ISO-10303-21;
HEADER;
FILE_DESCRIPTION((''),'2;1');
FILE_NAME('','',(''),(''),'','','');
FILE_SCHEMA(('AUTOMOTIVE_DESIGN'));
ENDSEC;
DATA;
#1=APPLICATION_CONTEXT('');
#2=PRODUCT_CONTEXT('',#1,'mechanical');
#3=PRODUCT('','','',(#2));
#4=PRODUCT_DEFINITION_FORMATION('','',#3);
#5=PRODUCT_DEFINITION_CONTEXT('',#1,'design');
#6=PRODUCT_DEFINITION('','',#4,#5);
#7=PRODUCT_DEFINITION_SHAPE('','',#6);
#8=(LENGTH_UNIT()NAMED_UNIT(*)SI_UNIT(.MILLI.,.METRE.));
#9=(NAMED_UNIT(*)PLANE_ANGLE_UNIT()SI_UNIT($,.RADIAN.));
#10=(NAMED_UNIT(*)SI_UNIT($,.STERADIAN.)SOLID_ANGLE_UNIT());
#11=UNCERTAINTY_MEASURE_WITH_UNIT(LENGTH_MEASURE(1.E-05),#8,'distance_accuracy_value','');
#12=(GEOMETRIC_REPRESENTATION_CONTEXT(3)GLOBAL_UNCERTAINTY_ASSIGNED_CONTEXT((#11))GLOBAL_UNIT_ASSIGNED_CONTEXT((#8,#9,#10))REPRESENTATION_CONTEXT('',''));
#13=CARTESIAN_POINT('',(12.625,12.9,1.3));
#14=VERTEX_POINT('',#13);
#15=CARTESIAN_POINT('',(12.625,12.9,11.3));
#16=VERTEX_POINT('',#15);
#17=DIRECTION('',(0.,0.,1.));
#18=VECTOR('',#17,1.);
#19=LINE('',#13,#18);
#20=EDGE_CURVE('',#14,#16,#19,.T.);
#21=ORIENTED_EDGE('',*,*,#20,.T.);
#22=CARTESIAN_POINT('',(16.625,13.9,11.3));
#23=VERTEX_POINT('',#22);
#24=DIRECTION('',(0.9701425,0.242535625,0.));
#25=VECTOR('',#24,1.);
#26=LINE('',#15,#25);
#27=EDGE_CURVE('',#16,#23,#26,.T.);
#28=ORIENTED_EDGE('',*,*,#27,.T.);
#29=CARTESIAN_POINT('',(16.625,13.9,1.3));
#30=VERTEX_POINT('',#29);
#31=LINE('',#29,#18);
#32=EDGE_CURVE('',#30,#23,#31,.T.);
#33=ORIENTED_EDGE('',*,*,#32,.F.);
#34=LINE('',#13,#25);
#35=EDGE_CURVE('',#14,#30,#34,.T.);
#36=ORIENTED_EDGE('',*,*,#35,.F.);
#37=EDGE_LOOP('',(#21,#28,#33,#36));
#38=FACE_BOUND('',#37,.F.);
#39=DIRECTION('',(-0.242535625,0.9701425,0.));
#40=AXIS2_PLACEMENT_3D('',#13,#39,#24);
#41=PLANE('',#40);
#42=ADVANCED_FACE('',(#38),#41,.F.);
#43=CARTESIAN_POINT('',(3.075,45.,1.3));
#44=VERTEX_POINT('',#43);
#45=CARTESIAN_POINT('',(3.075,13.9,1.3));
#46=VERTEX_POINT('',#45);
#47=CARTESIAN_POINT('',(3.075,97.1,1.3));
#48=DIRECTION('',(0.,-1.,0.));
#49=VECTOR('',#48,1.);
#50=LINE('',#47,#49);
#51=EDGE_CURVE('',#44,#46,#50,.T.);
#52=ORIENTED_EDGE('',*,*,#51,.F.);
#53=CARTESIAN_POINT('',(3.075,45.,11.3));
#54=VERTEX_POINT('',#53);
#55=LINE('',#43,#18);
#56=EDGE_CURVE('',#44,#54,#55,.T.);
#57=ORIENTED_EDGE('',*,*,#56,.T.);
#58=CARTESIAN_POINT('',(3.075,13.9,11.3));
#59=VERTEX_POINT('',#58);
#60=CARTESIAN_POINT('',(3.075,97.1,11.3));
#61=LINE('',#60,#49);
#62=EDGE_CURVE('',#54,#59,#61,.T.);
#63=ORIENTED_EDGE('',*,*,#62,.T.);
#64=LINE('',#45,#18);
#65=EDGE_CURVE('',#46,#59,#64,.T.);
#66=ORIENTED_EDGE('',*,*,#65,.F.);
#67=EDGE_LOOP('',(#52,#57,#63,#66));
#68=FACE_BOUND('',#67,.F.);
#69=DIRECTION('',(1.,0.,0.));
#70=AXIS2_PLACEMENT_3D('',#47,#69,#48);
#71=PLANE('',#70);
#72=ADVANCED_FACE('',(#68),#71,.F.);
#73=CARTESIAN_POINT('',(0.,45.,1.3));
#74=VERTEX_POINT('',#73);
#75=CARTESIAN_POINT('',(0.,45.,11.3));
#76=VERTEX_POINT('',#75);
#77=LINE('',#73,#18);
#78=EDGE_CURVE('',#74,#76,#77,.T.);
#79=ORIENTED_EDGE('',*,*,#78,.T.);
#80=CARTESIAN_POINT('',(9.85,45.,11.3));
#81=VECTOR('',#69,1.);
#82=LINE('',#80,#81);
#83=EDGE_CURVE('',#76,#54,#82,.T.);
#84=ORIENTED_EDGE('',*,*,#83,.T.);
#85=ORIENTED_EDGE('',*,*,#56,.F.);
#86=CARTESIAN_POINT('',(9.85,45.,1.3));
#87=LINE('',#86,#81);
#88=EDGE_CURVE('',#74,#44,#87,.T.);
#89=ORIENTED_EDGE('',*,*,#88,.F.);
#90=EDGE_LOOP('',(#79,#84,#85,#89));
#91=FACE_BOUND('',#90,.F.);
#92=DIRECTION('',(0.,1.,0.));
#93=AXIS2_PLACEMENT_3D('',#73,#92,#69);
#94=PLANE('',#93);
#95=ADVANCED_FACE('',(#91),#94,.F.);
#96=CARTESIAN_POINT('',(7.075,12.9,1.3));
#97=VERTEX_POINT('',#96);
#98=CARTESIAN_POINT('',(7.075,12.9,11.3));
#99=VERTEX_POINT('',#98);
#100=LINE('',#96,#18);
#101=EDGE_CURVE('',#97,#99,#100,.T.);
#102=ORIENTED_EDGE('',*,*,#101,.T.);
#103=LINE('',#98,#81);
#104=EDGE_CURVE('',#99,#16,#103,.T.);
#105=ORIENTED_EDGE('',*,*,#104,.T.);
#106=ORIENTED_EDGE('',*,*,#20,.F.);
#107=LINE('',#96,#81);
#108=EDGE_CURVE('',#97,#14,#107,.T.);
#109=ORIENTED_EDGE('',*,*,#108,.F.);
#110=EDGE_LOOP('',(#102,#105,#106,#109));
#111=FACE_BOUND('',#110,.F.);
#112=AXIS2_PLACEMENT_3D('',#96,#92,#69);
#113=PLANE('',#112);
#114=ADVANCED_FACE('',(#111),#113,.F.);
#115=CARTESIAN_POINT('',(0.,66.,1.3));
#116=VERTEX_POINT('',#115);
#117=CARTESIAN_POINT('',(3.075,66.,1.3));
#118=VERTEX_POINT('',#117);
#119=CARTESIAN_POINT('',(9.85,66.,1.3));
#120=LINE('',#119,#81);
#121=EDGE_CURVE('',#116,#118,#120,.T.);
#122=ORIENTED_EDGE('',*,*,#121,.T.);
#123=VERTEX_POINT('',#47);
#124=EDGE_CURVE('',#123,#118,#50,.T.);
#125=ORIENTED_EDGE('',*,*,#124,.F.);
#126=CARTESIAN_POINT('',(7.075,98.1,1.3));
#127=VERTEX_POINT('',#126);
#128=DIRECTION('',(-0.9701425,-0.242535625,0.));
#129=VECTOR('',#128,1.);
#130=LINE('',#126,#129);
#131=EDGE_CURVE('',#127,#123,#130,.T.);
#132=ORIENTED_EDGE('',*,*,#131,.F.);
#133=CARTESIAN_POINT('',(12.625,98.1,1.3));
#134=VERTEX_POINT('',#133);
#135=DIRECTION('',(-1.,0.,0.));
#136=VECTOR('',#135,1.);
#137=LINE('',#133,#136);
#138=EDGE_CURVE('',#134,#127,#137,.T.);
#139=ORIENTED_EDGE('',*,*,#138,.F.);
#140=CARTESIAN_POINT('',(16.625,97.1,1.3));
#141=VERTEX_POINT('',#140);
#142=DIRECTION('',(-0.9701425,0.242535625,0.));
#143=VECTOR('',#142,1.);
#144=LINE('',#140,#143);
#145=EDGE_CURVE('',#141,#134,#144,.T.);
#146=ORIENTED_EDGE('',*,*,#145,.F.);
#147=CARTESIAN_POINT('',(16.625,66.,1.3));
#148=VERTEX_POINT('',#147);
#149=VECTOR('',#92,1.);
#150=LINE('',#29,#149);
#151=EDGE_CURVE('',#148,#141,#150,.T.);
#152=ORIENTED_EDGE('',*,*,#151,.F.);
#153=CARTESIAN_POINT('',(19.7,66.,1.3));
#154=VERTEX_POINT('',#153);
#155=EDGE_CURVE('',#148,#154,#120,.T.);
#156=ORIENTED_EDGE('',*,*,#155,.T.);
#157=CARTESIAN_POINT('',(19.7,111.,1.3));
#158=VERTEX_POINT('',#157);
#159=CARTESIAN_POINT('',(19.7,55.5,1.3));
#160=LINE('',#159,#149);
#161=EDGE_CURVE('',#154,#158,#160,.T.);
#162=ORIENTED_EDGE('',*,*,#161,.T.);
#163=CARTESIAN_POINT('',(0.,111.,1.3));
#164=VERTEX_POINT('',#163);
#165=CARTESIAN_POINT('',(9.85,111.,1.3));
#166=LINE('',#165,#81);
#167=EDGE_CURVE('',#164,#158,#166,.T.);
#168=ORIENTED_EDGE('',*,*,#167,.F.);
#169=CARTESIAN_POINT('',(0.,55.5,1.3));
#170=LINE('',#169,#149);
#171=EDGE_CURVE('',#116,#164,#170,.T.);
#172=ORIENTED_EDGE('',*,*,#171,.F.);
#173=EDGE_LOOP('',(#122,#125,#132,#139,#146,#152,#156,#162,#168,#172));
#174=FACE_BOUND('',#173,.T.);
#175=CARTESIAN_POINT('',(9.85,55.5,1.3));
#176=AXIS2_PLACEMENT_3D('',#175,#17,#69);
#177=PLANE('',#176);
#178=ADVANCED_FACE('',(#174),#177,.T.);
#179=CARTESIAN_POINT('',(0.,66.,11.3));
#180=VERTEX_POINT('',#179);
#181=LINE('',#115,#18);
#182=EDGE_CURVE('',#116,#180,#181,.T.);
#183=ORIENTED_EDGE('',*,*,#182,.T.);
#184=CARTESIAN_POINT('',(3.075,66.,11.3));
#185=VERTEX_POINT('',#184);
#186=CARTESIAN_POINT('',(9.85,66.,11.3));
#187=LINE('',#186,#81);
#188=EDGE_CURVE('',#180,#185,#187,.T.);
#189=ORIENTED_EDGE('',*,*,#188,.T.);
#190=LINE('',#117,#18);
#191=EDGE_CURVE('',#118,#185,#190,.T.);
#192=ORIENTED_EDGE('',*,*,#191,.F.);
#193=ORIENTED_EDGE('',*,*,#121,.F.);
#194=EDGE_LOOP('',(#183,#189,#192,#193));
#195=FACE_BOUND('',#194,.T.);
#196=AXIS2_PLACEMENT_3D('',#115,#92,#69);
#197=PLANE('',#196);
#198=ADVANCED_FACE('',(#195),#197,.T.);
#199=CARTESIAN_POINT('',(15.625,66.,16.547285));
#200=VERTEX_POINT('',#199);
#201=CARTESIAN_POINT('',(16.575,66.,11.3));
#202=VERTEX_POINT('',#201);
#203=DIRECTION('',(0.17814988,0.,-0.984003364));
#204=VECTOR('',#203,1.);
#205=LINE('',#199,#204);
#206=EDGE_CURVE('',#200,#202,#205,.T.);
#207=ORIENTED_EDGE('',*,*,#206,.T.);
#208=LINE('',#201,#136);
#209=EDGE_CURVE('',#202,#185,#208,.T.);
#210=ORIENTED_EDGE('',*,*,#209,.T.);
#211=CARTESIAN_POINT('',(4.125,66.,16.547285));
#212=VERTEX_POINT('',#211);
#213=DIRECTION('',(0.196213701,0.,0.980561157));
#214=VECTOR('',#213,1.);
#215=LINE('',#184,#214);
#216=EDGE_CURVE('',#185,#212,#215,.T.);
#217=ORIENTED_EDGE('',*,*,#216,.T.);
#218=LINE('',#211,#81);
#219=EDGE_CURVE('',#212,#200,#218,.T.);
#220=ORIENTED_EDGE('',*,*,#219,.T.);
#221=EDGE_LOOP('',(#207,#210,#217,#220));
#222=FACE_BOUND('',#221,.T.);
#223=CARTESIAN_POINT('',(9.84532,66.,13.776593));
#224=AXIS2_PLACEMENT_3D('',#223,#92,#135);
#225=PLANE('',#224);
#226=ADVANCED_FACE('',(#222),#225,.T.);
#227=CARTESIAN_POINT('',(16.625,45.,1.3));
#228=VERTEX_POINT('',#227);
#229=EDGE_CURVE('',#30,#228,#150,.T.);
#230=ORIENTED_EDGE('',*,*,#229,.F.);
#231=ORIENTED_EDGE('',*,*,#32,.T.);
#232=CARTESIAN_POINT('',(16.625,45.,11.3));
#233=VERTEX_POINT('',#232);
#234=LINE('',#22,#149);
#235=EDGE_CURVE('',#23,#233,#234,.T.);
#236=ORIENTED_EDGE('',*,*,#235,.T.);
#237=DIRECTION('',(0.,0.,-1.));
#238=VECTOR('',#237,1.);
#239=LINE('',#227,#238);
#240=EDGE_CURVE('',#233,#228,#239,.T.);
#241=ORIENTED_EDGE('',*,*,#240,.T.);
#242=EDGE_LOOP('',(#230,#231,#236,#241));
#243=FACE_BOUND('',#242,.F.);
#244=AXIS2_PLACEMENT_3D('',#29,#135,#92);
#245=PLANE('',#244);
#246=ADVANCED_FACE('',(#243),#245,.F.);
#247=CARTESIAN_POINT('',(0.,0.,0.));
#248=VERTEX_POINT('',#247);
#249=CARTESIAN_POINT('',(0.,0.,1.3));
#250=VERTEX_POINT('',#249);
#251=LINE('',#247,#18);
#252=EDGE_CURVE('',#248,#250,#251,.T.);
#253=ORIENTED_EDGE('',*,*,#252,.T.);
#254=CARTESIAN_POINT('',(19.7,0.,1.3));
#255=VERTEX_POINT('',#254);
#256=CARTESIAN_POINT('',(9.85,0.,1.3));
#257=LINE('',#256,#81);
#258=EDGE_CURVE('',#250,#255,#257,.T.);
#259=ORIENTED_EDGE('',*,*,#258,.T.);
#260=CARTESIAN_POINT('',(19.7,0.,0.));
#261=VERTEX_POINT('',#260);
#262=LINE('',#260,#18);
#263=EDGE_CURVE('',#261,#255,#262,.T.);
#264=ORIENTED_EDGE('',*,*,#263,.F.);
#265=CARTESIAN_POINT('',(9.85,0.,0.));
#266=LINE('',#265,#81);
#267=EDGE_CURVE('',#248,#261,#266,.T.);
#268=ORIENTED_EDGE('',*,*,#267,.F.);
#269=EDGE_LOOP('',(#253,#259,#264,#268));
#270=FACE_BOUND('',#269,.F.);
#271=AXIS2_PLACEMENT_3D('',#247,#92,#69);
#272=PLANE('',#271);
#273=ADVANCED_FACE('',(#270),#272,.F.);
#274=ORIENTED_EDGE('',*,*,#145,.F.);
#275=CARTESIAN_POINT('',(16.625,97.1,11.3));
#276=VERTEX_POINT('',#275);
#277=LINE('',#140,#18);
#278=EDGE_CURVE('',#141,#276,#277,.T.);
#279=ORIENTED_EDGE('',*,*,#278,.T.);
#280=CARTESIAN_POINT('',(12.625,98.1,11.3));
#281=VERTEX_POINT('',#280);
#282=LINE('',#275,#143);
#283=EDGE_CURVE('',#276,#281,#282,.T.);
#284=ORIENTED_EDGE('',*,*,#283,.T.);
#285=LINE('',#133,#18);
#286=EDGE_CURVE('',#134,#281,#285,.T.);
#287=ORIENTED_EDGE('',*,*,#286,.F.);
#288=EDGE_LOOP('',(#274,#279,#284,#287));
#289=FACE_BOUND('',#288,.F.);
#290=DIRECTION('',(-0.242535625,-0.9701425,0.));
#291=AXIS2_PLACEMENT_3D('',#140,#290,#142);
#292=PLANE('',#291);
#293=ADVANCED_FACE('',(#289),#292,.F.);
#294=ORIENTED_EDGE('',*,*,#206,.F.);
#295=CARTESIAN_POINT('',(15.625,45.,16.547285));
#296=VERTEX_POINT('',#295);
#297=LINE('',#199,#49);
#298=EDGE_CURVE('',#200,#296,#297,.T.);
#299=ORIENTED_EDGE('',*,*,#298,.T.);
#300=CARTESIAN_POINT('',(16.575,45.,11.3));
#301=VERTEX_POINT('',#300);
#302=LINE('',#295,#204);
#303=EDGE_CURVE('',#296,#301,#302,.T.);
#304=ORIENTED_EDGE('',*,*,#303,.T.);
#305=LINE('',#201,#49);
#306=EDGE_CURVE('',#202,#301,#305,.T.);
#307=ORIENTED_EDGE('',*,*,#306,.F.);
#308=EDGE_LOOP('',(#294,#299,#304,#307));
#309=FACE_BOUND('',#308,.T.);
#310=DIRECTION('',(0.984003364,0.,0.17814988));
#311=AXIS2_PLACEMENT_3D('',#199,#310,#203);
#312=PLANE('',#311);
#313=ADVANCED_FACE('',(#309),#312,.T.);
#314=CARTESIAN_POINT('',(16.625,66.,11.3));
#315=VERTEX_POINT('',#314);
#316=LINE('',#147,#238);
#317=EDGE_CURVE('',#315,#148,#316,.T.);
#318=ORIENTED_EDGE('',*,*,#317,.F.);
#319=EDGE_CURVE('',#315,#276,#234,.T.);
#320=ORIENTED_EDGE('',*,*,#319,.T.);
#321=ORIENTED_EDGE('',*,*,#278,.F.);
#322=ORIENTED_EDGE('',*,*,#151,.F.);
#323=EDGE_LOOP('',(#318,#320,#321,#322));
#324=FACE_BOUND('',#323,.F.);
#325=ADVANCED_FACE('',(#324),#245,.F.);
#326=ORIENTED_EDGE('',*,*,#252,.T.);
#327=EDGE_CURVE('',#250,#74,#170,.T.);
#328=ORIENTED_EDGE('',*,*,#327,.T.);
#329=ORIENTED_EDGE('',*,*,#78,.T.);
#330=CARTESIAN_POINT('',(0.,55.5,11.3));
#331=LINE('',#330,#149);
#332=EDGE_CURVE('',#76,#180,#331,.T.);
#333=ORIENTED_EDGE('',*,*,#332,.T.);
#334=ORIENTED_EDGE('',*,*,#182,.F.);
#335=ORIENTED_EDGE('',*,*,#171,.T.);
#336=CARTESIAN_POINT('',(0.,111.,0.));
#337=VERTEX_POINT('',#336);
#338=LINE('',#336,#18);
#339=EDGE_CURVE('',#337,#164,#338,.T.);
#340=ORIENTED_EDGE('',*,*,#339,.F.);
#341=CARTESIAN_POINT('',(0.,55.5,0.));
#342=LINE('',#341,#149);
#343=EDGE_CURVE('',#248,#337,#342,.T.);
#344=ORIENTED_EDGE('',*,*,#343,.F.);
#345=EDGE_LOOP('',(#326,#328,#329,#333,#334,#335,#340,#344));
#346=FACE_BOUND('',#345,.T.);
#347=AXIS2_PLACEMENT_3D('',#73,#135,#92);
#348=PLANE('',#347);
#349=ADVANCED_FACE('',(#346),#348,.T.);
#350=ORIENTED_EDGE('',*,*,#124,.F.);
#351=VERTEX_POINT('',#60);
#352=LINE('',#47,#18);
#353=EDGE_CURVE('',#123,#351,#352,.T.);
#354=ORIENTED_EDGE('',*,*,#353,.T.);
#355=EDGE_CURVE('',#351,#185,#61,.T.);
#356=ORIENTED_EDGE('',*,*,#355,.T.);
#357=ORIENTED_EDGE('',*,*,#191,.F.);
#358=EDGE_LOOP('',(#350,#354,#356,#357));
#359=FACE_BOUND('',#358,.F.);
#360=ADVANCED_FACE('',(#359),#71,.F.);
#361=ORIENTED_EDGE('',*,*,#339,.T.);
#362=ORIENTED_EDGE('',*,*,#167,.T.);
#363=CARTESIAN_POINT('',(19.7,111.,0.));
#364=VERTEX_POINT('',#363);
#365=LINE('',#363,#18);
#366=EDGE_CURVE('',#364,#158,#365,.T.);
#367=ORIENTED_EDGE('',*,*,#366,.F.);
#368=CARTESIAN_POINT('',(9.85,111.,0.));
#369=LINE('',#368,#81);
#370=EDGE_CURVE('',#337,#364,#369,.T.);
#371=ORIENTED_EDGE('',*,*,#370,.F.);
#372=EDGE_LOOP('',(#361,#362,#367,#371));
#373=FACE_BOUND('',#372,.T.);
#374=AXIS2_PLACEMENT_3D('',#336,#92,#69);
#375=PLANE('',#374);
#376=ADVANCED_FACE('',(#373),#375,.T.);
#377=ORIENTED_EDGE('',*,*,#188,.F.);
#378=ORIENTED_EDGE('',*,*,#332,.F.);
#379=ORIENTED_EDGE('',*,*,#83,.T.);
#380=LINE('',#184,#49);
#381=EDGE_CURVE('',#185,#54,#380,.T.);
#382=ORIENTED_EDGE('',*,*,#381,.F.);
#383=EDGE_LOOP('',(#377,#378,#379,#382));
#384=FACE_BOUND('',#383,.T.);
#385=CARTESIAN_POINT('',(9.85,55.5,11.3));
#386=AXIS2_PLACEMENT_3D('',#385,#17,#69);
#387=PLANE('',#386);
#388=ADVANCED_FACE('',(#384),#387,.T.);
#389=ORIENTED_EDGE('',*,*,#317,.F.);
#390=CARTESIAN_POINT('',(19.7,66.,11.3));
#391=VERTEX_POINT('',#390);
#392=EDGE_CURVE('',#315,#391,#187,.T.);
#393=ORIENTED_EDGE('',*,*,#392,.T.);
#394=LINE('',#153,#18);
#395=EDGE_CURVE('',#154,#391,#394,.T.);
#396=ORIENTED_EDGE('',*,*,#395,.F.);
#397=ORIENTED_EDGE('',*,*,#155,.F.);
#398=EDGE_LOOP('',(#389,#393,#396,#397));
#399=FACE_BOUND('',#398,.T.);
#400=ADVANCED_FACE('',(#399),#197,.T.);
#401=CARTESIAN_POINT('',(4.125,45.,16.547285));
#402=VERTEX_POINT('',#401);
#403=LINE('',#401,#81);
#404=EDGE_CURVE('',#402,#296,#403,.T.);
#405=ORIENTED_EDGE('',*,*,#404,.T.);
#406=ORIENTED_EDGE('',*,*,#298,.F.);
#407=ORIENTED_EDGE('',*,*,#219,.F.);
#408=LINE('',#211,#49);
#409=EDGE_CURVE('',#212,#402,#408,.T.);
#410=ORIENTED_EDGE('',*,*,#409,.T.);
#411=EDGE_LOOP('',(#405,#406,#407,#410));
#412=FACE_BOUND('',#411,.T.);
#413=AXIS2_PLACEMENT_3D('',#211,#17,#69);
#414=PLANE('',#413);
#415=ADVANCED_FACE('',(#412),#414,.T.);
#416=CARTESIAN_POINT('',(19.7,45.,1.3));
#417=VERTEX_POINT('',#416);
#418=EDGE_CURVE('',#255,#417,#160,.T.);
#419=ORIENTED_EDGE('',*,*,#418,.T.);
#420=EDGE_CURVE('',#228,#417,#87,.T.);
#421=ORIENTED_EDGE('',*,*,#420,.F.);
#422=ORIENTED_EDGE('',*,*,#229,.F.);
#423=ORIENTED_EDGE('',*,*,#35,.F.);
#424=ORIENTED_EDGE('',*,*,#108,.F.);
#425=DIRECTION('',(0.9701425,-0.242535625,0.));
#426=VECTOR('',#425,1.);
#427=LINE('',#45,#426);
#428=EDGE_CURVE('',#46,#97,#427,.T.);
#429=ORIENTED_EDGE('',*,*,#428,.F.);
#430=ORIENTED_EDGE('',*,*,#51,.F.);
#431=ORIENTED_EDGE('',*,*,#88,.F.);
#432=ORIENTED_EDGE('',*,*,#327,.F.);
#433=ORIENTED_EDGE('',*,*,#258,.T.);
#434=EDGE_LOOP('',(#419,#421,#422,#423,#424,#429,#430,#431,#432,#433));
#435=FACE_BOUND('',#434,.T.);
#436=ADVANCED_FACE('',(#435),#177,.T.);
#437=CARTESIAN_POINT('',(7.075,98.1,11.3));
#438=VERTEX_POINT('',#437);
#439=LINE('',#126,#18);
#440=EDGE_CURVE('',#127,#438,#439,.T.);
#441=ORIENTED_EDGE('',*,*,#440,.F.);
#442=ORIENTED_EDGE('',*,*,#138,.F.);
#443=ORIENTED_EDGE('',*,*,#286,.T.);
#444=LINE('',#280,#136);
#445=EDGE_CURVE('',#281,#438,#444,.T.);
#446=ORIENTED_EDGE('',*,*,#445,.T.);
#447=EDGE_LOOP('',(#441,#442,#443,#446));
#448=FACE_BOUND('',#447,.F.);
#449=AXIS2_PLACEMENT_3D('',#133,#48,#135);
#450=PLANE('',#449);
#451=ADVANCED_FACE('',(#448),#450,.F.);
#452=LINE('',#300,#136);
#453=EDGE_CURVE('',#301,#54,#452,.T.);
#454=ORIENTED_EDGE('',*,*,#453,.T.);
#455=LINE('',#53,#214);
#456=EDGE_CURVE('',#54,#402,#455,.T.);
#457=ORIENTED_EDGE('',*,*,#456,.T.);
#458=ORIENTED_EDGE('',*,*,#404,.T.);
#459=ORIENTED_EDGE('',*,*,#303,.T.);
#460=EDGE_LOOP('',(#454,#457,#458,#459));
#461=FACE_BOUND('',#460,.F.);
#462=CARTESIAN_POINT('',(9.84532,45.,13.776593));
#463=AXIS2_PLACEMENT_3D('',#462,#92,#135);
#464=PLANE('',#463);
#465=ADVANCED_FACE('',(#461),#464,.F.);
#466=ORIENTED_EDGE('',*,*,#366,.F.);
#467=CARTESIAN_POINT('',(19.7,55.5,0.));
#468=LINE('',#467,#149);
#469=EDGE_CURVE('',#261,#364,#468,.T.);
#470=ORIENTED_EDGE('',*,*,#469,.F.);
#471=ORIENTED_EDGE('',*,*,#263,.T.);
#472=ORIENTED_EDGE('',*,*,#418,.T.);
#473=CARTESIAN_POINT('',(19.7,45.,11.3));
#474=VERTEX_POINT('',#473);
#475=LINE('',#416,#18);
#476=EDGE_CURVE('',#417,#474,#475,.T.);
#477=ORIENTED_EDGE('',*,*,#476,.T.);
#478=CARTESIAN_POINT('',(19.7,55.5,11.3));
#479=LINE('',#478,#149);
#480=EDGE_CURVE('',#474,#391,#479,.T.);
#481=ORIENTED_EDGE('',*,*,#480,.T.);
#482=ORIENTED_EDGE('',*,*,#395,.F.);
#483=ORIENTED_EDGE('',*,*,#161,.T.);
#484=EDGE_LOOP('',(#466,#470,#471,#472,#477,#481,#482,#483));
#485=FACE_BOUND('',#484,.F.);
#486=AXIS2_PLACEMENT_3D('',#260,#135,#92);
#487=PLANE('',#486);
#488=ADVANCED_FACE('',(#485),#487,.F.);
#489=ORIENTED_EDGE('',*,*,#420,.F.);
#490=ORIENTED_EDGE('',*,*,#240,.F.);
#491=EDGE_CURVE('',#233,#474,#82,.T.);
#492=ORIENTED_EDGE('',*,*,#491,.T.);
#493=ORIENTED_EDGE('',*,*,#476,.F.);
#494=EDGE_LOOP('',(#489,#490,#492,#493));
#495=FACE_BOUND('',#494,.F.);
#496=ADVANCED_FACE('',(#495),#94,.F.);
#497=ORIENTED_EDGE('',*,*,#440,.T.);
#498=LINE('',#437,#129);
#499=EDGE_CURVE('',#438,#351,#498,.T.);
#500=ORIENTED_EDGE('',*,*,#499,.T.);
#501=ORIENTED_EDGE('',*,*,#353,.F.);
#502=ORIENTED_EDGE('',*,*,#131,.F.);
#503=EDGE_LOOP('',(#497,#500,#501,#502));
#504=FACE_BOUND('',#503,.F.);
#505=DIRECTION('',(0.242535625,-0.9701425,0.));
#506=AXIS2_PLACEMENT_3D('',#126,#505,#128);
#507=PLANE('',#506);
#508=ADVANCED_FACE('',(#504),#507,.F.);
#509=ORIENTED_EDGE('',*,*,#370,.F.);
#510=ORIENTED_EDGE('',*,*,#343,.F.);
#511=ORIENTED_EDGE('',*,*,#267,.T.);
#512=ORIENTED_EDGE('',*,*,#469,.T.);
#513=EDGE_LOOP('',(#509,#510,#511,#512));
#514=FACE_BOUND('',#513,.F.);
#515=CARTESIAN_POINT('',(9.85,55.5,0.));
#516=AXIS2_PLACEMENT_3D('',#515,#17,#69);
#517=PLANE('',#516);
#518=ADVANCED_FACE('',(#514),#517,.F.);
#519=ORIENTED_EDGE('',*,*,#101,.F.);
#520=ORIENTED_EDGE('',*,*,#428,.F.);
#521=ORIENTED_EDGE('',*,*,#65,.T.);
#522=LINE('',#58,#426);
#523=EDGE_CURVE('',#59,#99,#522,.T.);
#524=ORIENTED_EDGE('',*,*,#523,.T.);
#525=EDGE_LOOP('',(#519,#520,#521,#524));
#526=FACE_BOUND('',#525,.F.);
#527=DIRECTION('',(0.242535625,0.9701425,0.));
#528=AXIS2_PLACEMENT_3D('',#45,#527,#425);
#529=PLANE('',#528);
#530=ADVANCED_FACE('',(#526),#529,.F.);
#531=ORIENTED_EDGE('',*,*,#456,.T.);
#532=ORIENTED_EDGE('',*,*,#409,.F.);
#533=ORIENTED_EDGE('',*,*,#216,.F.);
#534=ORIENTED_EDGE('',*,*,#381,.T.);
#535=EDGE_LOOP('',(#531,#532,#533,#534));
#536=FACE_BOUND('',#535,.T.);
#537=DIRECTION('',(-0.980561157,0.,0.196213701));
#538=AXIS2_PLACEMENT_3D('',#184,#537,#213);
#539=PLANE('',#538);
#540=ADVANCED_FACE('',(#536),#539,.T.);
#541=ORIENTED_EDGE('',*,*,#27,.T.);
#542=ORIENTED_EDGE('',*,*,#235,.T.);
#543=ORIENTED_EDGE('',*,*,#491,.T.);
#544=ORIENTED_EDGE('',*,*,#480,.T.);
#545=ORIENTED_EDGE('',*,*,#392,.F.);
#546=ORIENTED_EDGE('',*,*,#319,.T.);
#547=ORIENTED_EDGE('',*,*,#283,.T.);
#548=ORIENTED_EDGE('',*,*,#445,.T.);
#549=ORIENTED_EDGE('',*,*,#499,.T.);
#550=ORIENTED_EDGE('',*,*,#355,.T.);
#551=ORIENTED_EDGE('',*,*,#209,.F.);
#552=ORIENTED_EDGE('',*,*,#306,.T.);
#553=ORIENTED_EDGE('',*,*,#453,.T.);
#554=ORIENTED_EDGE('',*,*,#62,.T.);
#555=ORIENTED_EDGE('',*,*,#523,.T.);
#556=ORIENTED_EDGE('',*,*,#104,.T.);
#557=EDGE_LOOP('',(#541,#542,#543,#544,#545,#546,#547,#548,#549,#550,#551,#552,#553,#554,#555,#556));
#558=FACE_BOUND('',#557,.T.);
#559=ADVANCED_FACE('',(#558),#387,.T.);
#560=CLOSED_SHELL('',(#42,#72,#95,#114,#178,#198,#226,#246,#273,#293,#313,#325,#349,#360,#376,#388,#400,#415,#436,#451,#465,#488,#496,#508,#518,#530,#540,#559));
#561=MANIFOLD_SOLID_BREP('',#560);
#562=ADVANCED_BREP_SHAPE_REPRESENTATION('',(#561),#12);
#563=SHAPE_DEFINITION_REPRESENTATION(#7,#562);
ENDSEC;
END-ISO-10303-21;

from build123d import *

# Parameters (mm, degrees)
F0_W     = 19.7
F0_H     = 111
F1_DEPTH = 1.3
F3_DEPTH = 10
F4_W     = 19.7
F4_H     = 21
F5_DEPTH = 10
F7_DEPTH = 21


with BuildPart() as f1:
    # F0 (on Top) → F1 (new body)
    with BuildSketch(Plane.XY):
        with Locations((9.85, 55.5)):
            Rectangle(F0_W, F0_H)
    extrude(amount=F1_DEPTH)

    # F2 (on face) → F3 (join)
    with BuildSketch(Plane.XY.offset(1.3)):
        Polygon((12.625, 98.1), (7.075, 98.1), (3.075, 97.1), (3.075, 13.9), (7.075, 12.9), (12.625, 12.9), (16.625, 13.9), (16.625, 97.1), align=None)
    extrude(amount=F3_DEPTH)

    # F4 (on face) → F5 (join)
    with BuildSketch(Plane.XY.offset(1.3)):
        with Locations((9.85, 55.5)):
            Rectangle(F4_W, F4_H)
    extrude(amount=F5_DEPTH)

    # F6 (on face) → F7 (join, through all)
    with BuildSketch(Plane(origin=(0, 66, 0), x_dir=(-1, 0, 0), z_dir=(0, 1, 0))):
        Polygon((-16.575, 11.3), (-3.075, 11.3), (-4.125, 16.5472850204), (-15.625, 16.5472850204), align=None)
    extrude(amount=-F7_DEPTH)


solid = f1.part
